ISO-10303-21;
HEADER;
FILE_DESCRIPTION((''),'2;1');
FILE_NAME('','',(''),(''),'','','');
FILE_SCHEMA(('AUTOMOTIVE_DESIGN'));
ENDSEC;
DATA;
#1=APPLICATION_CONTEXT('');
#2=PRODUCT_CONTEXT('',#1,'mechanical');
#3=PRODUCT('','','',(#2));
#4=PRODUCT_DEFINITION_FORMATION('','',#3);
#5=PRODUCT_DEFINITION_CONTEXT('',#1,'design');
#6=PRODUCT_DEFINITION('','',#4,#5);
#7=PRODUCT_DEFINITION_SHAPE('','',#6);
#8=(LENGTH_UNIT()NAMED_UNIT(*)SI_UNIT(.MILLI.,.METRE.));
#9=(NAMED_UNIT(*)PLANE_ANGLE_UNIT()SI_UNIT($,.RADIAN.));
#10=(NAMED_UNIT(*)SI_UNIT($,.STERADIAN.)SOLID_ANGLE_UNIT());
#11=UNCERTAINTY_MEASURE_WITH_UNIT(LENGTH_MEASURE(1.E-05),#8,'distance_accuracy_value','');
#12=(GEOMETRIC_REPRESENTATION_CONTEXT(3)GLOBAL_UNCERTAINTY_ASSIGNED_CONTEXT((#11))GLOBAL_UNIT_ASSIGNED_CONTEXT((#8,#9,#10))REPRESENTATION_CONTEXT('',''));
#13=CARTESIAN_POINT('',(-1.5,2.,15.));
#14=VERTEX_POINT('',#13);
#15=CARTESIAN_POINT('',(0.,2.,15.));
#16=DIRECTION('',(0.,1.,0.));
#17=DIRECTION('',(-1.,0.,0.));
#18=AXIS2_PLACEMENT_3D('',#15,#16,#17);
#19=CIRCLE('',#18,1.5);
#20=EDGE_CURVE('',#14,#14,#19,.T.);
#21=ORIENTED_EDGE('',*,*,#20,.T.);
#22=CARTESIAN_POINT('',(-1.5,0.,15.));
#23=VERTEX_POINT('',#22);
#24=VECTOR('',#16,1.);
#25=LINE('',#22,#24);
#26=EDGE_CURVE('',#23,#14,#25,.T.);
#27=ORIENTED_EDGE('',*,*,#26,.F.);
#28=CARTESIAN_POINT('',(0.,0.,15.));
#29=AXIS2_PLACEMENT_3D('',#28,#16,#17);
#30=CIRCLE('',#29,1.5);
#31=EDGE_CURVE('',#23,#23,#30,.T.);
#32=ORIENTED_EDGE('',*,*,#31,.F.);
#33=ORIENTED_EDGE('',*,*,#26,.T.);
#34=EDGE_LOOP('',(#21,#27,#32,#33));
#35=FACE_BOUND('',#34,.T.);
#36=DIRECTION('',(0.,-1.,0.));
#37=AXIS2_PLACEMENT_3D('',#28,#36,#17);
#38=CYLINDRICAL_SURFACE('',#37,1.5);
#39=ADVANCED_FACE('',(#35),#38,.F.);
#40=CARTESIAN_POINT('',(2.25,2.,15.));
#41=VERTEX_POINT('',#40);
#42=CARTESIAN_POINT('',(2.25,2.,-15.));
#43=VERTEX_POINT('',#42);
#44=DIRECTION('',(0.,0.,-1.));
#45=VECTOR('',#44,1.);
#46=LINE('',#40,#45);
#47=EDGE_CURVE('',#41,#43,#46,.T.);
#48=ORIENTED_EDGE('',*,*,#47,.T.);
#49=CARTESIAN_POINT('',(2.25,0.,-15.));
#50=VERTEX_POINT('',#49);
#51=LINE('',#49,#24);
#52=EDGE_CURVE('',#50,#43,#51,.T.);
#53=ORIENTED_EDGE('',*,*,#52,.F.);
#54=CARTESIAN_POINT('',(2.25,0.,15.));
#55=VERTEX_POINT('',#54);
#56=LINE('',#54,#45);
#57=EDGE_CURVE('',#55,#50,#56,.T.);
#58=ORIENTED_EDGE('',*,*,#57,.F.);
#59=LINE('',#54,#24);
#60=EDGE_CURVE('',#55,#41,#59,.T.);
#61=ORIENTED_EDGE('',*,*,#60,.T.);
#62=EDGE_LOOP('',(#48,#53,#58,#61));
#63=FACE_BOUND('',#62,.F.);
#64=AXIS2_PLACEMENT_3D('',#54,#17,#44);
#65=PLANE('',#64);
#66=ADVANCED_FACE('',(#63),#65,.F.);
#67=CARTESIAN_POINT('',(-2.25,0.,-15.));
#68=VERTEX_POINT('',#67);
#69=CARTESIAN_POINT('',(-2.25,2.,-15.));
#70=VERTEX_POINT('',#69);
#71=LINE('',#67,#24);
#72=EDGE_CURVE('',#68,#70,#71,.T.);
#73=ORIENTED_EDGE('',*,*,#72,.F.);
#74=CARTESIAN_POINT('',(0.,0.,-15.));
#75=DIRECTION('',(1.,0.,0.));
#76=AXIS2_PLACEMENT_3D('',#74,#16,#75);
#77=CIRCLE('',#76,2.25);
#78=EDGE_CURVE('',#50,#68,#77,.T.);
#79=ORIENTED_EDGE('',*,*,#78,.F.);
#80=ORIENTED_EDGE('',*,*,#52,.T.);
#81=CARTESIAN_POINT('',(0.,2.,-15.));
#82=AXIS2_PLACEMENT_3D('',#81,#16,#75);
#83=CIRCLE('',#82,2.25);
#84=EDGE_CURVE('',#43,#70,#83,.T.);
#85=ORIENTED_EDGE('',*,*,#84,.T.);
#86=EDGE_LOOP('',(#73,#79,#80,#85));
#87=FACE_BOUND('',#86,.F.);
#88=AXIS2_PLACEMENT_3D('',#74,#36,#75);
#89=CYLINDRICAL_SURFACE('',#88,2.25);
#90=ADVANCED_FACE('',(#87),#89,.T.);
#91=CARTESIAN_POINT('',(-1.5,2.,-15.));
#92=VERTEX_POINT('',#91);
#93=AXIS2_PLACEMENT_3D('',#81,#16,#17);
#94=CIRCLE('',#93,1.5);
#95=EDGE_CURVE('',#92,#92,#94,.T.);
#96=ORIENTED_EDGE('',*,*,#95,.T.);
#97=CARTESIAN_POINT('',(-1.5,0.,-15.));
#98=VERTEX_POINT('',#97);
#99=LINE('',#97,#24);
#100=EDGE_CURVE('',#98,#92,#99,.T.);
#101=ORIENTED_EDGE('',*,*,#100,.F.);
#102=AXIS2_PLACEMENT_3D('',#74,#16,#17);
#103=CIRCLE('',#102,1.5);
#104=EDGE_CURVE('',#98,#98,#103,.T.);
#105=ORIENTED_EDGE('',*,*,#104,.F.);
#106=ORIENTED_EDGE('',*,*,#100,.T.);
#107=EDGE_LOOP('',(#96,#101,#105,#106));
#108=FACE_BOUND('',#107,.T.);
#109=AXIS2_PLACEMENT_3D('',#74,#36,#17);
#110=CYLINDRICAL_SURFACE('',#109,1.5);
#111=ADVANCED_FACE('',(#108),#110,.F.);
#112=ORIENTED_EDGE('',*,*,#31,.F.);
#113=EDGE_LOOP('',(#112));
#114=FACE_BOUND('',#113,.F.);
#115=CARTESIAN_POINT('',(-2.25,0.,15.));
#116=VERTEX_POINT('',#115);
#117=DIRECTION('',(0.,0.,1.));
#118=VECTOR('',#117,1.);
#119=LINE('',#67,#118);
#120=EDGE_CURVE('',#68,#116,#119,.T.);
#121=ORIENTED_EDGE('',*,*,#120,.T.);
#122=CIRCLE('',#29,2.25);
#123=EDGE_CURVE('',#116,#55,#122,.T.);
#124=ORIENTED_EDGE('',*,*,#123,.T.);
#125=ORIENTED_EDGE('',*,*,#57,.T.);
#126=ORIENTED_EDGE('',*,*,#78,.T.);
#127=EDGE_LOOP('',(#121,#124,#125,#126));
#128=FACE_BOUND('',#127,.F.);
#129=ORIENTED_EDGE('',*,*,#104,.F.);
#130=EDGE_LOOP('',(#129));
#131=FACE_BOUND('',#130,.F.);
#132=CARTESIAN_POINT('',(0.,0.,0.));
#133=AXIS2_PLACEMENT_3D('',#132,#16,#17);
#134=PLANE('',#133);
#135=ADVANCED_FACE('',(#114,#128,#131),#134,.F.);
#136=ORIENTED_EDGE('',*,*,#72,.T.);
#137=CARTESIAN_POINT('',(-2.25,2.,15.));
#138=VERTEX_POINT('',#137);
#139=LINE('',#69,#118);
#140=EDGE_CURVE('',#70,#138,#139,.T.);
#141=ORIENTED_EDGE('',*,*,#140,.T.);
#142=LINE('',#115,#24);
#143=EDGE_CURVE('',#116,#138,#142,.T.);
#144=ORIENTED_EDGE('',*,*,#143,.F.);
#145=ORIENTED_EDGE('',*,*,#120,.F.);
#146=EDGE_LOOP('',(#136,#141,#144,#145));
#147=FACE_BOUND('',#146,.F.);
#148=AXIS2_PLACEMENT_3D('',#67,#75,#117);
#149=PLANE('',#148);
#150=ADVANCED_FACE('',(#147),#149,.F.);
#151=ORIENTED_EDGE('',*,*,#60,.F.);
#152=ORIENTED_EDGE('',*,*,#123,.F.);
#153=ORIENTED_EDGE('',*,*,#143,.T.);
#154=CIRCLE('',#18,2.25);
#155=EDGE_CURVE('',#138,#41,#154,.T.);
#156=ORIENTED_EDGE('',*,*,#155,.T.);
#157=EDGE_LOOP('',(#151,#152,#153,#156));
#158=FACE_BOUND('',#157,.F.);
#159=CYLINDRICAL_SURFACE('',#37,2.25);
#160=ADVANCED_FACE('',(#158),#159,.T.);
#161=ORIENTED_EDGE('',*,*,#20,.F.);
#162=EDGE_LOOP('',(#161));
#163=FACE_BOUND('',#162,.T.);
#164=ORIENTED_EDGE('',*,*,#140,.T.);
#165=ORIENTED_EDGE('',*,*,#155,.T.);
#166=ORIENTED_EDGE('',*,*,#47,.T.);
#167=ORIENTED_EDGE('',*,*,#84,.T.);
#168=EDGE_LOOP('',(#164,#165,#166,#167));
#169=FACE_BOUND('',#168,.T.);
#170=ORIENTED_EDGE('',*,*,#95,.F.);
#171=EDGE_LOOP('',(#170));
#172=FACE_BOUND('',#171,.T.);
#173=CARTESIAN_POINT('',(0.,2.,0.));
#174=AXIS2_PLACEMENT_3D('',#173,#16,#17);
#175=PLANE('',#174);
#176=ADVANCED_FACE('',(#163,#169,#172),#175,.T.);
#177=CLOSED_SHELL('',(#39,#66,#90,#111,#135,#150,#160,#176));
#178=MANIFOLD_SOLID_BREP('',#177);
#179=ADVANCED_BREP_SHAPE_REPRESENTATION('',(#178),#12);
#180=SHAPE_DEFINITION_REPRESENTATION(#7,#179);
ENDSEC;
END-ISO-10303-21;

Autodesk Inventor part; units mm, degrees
ref_plane "YZ Plane" through (0, 0, 0) normal (1, 0, 0) x (0, 1, 0)
ref_plane "XZ Plane" through (0, 0, 0) normal (0, 1, 0) x (-1, 0, 0)
ref_plane "XY Plane" through (0, 0, 0) normal (0, 0, 1) x (1, 0, 0)
sketch "Sketch1" plane through (0, 0, 0) normal (0, 1, 0) x (-1, 0, 0)
  line L0 (0, 15) -> (0, -15) construction
  line L1 (-2.25, 15) -> (-2.25, -15)
  line L2 (2.25, -15) -> (2.25, 15)
  arc A0 (2.25, 15) -> (-2.25, 15) centre (0, 15) ccw
  arc A1 (-2.25, -15) -> (2.25, -15) centre (0, -15) ccw
  circle A2 centre (0, 15) radius 1.5
  circle A3 centre (0, -15) radius 1.5
  point P0 (0, 0)
  dimension "d0" = 4.5
  dimension "d1" = 30
  dimension "d2" = 3
extrude "Extrusion1" add sketch "Sketch1" along normal blind 2
properties part number "Servo connector"
